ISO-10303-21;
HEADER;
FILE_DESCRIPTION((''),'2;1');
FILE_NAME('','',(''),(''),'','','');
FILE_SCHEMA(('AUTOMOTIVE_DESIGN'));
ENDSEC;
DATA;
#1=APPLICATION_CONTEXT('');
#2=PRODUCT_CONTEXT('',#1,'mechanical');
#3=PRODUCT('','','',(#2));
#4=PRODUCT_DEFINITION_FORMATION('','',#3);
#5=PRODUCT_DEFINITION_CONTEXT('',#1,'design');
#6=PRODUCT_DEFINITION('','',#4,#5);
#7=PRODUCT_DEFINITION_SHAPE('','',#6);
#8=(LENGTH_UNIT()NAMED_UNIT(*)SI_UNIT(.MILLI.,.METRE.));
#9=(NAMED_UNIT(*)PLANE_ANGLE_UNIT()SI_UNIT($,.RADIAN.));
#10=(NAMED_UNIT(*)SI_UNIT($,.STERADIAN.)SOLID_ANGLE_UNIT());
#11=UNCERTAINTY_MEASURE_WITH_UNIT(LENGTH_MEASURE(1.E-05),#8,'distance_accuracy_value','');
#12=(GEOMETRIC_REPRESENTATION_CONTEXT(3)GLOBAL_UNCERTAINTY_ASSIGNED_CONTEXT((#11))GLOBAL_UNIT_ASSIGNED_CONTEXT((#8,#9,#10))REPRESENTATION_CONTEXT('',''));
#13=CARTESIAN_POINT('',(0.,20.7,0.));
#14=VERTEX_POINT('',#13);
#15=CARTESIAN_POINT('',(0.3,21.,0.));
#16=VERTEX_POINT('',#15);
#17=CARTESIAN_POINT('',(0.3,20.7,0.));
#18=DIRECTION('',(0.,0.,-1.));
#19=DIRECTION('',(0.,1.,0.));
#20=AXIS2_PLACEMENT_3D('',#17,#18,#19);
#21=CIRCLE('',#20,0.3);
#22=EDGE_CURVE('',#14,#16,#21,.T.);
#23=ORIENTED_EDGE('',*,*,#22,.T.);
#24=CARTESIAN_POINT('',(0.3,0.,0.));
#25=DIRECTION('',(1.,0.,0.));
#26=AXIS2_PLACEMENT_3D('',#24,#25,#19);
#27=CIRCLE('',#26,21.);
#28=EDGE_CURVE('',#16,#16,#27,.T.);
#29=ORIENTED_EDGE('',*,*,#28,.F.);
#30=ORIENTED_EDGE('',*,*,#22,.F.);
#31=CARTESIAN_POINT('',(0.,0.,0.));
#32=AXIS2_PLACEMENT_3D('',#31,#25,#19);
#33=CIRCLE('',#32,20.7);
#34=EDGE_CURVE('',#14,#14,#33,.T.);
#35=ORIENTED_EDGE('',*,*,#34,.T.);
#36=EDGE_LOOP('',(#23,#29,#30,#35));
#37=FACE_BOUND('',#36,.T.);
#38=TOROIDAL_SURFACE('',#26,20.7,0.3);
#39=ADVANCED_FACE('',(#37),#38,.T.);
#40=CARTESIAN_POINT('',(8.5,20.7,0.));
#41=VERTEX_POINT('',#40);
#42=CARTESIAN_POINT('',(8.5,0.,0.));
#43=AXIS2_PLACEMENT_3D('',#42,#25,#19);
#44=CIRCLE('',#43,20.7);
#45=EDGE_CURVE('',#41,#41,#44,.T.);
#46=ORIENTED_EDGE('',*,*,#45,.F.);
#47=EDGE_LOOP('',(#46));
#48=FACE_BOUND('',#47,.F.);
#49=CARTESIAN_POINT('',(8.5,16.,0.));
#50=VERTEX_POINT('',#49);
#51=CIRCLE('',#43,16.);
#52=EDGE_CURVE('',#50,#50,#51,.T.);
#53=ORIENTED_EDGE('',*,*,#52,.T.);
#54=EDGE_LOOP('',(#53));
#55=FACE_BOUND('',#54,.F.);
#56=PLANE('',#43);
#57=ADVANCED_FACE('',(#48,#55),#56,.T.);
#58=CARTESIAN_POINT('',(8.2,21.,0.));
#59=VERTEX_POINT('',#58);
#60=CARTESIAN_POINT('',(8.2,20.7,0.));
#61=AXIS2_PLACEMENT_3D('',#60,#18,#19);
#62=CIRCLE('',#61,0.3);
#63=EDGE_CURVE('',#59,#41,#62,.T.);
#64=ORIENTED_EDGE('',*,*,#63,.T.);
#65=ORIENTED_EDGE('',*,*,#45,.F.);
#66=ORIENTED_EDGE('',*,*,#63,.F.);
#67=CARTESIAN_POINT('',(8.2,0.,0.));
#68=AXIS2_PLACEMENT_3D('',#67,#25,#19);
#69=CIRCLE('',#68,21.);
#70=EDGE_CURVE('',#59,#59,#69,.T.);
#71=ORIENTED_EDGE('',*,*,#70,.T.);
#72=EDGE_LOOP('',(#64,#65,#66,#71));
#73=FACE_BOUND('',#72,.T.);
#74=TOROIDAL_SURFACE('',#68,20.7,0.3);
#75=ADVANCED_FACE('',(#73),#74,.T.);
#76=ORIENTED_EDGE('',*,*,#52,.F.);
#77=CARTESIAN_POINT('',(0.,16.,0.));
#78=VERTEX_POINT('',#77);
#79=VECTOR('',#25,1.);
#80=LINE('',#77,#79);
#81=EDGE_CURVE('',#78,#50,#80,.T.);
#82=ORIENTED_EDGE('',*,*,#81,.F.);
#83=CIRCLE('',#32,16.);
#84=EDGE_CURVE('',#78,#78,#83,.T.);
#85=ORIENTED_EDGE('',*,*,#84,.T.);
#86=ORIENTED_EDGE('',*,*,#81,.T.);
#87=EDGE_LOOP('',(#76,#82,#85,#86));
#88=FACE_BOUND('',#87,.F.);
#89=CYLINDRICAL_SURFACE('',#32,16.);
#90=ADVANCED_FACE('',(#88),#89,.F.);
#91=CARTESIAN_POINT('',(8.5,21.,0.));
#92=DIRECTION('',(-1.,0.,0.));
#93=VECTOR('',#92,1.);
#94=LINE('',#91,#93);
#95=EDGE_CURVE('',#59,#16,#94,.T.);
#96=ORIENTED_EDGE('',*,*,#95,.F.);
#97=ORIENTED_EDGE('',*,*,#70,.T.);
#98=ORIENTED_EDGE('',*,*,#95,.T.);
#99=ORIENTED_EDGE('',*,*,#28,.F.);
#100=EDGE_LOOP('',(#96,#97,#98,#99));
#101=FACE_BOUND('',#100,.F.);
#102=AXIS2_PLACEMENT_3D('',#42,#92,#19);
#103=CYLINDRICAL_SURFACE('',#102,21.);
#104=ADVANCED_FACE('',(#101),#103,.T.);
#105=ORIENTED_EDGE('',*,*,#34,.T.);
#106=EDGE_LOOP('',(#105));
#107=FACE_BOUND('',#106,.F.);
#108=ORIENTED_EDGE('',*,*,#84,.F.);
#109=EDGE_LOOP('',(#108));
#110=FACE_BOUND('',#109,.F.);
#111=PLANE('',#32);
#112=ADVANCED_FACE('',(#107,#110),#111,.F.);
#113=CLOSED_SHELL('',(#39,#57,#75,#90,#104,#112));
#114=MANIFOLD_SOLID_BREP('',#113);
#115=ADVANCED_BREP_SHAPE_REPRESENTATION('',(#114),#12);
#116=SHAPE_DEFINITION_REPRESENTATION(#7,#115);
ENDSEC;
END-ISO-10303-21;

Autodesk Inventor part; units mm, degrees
ref_plane "YZ Plane" through (0, 0, 0) normal (1, 0, 0) x (0, 1, 0)
ref_plane "XZ Plane" through (0, 0, 0) normal (0, 1, 0) x (-1, 0, 0)
ref_plane "XY Plane" through (0, 0, 0) normal (0, 0, 1) x (1, 0, 0)
sketch "Sketch1" plane through (0, 0, 0) normal (0, 0, 1) x (1, 0, 0)
  line L0 (0, 16) -> (8.5, 16)
  line L1 (8.5, 16) -> (8.5, 21)
  line L2 (8.5, 21) -> (0, 21)
  line L3 (0, 21) -> (0, 16)
  line L4 (0, 0) -> (32.3907, 0)
  dimension "d0" = 32
  dimension "d1" = 42
  dimension "d2" = 8.5
revolve "Revolution1" add sketch "Sketch1" angle 360 about axis through (0, 0, 0) along (1, 0, 0)
fillet "Fillet1" radius 0.3 2 edges at (8.5, -21, 0) (0, -21, 0)
properties part number "Collar_Seal_Inner" material "Nylon-6/6"
